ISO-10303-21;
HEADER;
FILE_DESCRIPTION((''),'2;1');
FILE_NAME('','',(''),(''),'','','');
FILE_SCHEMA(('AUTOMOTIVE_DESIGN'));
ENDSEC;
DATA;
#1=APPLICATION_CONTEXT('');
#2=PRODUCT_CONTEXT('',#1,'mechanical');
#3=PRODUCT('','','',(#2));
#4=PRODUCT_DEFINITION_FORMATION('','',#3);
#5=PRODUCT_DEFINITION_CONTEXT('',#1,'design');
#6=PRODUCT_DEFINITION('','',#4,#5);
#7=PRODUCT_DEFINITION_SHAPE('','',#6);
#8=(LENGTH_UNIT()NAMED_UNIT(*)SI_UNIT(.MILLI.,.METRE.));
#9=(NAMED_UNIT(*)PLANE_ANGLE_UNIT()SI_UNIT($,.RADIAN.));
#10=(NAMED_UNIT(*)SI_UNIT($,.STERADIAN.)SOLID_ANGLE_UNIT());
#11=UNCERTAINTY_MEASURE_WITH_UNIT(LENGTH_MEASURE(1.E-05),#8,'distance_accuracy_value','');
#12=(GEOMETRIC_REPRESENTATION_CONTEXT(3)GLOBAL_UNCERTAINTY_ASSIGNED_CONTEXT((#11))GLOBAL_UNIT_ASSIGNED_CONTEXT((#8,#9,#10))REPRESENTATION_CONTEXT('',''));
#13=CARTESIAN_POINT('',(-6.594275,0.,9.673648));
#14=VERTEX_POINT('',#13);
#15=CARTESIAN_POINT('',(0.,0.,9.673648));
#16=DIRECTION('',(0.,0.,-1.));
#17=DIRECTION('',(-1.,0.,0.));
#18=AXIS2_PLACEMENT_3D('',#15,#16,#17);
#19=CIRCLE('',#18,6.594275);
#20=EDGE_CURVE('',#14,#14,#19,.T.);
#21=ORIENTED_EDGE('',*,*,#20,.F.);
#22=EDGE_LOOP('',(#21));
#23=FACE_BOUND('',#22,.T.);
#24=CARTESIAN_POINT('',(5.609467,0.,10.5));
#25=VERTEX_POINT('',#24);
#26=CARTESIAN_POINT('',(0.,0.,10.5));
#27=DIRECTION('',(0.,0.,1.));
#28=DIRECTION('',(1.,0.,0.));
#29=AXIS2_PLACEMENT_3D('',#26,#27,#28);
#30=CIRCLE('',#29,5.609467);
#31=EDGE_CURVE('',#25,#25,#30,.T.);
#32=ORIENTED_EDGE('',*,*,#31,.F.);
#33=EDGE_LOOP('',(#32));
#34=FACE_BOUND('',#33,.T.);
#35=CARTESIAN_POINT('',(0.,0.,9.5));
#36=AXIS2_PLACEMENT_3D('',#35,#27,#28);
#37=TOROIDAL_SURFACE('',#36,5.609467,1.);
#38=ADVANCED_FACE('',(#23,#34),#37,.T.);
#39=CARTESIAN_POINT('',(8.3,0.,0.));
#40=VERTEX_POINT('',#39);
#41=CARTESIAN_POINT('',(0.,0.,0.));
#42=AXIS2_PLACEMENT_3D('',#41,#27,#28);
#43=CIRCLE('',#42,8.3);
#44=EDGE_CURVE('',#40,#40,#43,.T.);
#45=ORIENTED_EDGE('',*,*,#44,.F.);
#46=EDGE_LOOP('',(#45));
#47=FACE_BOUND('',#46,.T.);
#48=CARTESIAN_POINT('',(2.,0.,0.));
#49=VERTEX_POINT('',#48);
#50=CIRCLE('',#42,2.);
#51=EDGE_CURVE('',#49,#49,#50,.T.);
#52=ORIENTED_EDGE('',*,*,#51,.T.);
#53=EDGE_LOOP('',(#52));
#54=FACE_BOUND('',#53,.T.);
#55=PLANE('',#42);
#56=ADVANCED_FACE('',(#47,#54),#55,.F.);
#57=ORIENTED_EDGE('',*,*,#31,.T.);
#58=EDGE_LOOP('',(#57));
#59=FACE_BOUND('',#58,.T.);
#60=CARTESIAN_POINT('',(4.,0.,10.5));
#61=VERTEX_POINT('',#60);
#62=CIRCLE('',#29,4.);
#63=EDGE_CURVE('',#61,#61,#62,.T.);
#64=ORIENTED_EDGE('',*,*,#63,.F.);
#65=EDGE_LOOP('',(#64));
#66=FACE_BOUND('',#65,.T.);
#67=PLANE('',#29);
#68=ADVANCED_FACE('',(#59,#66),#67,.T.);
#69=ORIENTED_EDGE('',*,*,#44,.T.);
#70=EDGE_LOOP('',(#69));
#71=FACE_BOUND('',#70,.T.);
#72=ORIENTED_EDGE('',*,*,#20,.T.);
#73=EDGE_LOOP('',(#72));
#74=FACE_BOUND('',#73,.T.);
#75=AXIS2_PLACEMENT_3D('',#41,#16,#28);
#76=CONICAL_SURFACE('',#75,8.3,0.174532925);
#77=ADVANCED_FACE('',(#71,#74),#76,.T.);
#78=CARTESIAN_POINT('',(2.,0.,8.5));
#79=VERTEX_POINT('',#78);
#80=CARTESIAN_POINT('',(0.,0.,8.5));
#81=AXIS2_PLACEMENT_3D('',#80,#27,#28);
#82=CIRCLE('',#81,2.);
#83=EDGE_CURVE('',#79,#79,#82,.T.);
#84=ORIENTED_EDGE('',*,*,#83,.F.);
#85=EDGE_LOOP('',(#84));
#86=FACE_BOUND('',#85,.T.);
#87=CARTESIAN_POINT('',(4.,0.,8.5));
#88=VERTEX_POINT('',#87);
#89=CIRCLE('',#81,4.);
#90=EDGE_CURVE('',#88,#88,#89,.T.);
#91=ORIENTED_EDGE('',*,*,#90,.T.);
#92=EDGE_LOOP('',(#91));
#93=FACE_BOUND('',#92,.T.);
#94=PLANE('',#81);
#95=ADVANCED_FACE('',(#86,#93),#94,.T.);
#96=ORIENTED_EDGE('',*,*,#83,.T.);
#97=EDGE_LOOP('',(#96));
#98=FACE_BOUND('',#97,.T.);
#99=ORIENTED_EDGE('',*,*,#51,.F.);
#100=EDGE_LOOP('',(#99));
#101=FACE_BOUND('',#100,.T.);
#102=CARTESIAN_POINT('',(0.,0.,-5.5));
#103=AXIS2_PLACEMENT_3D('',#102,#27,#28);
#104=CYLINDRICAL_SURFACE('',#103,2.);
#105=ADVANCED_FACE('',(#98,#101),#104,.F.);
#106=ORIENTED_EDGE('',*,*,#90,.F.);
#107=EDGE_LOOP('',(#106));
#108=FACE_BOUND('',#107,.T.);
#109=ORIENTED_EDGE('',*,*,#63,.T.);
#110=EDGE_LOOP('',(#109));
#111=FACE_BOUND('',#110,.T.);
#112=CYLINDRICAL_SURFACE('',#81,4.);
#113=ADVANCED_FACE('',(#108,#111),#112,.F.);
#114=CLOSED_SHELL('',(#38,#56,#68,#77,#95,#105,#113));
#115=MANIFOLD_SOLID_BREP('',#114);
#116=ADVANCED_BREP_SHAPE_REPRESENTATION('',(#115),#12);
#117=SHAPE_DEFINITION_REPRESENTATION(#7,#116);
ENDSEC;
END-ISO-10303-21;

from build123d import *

# Parameters (mm, degrees)
ESQUISSE1_R             = 8.3
BOSS_EXTRU_1_DEPTH      = 10.5
BOSS_EXTRU_1_TAPER      = 10
ESQUISSE2_R             = 4
ENL_V_MAT_EXTRU_1_DEPTH = 2
ESQUISSE3_R             = 2
ENL_V_MAT_EXTRU_2_DEPTH = 14
CONG_1_R                = 1


with BuildPart() as part:
    # Esquisse1 → Boss.-Extru.1 (new body)
    with BuildSketch(Plane.XY):
        Circle(ESQUISSE1_R)
    extrude(amount=BOSS_EXTRU_1_DEPTH, taper=BOSS_EXTRU_1_TAPER)

    # Esquisse2 → Enlèv. mat.-Extru.1 (cut)
    with BuildSketch(Plane.XY.offset(10.5)):
        Circle(ESQUISSE2_R)
    extrude(amount=-ENL_V_MAT_EXTRU_1_DEPTH, mode=Mode.SUBTRACT)

    # Esquisse3 → Enlèv. mat.-Extru.2 (cut)
    with BuildSketch(Plane.XY.offset(8.5)):
        Circle(ESQUISSE3_R)
    extrude(amount=-ENL_V_MAT_EXTRU_2_DEPTH, mode=Mode.SUBTRACT)

    # Congé1
    cong_1_edges = [part.edges().sort_by_distance(p)[0] for p in [
        (-6.448566703, 0, 10.5),
    ]]
    fillet(cong_1_edges, radius=CONG_1_R)


solid = part.part
